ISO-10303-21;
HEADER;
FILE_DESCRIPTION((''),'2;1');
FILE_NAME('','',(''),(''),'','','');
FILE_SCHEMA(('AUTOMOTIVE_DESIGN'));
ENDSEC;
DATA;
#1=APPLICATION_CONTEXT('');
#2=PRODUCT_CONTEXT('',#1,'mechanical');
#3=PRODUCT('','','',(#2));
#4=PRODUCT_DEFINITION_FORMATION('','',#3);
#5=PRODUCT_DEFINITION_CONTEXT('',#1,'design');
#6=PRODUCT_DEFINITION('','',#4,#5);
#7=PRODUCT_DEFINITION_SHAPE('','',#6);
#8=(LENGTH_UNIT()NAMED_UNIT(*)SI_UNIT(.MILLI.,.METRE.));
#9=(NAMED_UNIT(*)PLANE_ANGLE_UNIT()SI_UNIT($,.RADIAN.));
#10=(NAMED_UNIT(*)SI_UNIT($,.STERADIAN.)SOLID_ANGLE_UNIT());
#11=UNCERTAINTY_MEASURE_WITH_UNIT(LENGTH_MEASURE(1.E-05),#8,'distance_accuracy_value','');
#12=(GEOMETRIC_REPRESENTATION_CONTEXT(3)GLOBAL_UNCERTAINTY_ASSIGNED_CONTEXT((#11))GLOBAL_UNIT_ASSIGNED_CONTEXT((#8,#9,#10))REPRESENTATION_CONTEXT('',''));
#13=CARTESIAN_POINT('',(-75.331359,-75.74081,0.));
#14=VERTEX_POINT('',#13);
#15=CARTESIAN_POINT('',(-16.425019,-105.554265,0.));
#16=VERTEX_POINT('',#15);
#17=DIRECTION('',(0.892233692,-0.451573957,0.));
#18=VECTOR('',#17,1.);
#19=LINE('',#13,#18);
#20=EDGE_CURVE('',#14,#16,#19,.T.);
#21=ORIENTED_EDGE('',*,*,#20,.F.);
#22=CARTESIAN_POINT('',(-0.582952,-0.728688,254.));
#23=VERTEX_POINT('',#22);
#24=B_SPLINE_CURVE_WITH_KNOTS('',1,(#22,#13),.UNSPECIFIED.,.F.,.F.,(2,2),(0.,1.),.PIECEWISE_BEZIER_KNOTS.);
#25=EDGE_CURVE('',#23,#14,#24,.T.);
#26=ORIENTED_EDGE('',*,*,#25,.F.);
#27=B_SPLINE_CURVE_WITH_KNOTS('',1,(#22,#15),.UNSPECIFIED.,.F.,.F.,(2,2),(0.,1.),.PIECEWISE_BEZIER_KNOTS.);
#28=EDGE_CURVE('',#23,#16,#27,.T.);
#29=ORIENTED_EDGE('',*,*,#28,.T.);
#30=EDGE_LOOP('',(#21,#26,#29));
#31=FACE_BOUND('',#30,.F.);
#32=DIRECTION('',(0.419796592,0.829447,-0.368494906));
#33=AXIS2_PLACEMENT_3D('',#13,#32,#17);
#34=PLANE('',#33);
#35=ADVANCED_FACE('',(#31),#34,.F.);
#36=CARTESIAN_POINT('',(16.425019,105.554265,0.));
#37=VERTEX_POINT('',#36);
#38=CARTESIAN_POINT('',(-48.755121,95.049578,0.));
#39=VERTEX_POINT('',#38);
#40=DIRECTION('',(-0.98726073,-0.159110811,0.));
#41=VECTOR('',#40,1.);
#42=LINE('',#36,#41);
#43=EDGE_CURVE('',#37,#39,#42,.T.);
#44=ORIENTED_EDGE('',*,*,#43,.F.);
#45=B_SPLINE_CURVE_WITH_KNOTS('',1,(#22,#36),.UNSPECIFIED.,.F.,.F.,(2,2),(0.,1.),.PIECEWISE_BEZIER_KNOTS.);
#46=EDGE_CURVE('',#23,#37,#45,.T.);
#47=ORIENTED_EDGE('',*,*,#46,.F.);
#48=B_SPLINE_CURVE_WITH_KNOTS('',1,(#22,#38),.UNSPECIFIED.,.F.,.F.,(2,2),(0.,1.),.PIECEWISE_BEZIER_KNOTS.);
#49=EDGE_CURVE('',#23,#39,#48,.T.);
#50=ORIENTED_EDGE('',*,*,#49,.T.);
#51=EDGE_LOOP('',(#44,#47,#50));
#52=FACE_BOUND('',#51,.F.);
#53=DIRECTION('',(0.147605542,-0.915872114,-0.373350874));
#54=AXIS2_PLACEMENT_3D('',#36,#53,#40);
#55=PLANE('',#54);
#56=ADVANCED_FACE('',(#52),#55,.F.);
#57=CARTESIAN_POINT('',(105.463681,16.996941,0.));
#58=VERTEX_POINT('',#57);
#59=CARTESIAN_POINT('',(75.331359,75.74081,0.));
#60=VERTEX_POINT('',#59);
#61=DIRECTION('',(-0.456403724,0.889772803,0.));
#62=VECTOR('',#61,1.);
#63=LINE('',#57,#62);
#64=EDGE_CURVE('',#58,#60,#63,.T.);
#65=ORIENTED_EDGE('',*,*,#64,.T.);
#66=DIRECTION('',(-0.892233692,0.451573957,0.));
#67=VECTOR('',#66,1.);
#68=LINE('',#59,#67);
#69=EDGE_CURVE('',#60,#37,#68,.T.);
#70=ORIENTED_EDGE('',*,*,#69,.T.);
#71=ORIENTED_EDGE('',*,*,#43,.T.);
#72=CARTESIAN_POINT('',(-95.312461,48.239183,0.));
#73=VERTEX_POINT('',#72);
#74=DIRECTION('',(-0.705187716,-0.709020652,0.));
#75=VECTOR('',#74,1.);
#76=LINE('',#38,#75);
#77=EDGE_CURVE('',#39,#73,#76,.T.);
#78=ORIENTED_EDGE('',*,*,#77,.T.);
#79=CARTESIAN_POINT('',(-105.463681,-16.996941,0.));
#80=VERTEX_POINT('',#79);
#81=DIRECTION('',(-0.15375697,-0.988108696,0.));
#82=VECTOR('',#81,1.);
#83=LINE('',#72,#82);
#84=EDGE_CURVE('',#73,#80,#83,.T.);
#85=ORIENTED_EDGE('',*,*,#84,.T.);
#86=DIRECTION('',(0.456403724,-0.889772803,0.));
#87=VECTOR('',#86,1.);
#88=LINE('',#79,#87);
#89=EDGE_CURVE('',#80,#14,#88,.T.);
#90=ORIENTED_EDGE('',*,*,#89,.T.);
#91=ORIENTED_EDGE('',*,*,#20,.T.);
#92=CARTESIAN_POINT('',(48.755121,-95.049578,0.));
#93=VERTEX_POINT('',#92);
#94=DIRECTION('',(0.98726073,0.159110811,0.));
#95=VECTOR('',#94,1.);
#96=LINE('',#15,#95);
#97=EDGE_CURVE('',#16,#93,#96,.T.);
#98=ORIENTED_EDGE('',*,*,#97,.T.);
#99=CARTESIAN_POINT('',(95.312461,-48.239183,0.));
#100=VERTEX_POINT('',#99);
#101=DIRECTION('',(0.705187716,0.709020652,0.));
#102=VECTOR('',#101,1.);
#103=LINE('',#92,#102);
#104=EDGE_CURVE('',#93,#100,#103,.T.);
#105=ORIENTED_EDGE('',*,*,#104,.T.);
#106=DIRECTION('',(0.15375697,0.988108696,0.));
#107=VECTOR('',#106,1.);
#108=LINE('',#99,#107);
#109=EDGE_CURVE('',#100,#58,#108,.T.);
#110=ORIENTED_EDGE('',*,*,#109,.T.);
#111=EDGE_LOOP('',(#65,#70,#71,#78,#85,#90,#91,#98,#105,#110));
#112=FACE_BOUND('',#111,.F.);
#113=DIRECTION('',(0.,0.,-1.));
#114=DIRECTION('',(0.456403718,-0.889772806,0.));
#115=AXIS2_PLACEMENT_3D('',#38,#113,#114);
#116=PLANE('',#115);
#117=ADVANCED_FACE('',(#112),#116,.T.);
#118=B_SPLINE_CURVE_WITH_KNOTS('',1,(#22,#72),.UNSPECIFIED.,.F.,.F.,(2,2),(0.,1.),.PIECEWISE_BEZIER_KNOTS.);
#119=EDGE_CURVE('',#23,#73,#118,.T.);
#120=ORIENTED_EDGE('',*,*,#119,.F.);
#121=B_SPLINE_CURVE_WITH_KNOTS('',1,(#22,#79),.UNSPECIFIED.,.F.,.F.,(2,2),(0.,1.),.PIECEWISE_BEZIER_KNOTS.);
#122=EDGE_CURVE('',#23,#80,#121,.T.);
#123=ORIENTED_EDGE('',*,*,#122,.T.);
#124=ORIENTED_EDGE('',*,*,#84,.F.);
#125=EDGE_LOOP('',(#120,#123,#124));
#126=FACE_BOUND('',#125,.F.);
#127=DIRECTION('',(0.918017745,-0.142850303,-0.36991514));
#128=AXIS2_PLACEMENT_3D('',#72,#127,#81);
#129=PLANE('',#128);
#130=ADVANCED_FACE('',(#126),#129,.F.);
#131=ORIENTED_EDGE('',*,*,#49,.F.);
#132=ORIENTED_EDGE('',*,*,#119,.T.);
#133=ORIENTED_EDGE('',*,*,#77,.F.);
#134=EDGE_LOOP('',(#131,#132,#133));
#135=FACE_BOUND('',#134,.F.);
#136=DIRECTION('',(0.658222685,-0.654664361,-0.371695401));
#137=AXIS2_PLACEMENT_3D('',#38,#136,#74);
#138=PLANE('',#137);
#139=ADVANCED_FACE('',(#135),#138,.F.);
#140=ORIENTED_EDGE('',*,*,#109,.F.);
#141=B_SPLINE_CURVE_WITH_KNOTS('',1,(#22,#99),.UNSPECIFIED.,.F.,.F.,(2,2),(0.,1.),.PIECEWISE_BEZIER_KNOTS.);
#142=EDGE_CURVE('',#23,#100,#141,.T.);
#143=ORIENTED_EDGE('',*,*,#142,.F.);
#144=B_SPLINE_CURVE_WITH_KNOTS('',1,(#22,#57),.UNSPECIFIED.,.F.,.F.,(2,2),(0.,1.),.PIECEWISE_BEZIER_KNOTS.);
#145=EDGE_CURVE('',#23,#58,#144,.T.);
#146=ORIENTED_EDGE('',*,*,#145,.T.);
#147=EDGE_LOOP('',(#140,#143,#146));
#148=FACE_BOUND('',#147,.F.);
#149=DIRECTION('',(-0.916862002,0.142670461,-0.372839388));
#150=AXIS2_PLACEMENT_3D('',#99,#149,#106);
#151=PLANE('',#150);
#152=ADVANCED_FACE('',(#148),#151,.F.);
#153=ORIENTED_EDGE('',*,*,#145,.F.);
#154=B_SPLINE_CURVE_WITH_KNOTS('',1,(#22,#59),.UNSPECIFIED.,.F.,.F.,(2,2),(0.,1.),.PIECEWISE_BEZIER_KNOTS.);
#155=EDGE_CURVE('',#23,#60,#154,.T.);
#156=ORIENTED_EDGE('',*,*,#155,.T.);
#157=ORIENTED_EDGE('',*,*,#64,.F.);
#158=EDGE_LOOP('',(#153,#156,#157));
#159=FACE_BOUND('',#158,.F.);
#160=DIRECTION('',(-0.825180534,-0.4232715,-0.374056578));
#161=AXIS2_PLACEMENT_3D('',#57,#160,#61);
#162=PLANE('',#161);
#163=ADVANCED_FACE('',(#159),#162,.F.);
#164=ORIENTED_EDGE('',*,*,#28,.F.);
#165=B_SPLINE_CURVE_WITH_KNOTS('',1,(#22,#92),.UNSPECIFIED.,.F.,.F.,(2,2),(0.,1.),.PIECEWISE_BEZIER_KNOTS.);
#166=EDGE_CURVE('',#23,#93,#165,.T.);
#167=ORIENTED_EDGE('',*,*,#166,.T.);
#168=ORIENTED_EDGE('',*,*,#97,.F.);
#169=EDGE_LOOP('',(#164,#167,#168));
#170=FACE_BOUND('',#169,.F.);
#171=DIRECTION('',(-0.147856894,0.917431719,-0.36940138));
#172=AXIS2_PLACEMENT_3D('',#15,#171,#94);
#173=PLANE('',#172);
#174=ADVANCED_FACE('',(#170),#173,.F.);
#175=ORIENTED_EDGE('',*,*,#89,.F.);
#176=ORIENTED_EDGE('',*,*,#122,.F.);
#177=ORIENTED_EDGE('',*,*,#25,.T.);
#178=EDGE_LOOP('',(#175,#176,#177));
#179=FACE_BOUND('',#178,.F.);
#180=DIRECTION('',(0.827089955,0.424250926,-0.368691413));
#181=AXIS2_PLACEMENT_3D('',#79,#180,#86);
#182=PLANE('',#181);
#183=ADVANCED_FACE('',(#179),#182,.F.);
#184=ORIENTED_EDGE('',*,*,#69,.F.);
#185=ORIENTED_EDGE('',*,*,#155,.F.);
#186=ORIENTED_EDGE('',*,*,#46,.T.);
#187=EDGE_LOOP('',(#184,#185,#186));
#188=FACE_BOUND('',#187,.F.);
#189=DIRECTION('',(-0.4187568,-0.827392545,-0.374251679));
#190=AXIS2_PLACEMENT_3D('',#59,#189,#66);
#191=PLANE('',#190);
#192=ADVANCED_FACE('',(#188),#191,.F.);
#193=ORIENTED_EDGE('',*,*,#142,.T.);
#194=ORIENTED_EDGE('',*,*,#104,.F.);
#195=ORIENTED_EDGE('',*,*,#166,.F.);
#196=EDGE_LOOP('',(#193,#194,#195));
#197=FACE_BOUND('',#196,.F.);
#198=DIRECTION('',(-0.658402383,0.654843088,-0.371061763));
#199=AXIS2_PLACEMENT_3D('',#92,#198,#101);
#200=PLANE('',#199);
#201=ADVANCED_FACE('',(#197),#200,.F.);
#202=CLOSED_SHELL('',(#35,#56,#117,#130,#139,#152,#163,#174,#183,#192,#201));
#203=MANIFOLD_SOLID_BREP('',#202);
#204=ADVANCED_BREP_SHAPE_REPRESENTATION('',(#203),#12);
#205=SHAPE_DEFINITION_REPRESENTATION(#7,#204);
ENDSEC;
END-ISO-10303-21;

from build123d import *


with BuildPart() as f3:
    # F0 (on Top) → F3 section 0
    with BuildSketch(Plane.XY, mode=Mode.PRIVATE) as f3_s0:
        Polygon((-48.755121, 95.049578), (-95.312461, 48.239183), (-105.463681, -16.996941), (-75.331359, -75.74081), (-16.425019, -105.554265), (48.755121, -95.049578), (95.312461, -48.239183), (105.463681, 16.996941), (75.331359, 75.74081), (16.425019, 105.554265), align=None)
    loft([Vertex(-0.582952, -0.728688, 254), f3_s0.sketch])


solid = f3.part
